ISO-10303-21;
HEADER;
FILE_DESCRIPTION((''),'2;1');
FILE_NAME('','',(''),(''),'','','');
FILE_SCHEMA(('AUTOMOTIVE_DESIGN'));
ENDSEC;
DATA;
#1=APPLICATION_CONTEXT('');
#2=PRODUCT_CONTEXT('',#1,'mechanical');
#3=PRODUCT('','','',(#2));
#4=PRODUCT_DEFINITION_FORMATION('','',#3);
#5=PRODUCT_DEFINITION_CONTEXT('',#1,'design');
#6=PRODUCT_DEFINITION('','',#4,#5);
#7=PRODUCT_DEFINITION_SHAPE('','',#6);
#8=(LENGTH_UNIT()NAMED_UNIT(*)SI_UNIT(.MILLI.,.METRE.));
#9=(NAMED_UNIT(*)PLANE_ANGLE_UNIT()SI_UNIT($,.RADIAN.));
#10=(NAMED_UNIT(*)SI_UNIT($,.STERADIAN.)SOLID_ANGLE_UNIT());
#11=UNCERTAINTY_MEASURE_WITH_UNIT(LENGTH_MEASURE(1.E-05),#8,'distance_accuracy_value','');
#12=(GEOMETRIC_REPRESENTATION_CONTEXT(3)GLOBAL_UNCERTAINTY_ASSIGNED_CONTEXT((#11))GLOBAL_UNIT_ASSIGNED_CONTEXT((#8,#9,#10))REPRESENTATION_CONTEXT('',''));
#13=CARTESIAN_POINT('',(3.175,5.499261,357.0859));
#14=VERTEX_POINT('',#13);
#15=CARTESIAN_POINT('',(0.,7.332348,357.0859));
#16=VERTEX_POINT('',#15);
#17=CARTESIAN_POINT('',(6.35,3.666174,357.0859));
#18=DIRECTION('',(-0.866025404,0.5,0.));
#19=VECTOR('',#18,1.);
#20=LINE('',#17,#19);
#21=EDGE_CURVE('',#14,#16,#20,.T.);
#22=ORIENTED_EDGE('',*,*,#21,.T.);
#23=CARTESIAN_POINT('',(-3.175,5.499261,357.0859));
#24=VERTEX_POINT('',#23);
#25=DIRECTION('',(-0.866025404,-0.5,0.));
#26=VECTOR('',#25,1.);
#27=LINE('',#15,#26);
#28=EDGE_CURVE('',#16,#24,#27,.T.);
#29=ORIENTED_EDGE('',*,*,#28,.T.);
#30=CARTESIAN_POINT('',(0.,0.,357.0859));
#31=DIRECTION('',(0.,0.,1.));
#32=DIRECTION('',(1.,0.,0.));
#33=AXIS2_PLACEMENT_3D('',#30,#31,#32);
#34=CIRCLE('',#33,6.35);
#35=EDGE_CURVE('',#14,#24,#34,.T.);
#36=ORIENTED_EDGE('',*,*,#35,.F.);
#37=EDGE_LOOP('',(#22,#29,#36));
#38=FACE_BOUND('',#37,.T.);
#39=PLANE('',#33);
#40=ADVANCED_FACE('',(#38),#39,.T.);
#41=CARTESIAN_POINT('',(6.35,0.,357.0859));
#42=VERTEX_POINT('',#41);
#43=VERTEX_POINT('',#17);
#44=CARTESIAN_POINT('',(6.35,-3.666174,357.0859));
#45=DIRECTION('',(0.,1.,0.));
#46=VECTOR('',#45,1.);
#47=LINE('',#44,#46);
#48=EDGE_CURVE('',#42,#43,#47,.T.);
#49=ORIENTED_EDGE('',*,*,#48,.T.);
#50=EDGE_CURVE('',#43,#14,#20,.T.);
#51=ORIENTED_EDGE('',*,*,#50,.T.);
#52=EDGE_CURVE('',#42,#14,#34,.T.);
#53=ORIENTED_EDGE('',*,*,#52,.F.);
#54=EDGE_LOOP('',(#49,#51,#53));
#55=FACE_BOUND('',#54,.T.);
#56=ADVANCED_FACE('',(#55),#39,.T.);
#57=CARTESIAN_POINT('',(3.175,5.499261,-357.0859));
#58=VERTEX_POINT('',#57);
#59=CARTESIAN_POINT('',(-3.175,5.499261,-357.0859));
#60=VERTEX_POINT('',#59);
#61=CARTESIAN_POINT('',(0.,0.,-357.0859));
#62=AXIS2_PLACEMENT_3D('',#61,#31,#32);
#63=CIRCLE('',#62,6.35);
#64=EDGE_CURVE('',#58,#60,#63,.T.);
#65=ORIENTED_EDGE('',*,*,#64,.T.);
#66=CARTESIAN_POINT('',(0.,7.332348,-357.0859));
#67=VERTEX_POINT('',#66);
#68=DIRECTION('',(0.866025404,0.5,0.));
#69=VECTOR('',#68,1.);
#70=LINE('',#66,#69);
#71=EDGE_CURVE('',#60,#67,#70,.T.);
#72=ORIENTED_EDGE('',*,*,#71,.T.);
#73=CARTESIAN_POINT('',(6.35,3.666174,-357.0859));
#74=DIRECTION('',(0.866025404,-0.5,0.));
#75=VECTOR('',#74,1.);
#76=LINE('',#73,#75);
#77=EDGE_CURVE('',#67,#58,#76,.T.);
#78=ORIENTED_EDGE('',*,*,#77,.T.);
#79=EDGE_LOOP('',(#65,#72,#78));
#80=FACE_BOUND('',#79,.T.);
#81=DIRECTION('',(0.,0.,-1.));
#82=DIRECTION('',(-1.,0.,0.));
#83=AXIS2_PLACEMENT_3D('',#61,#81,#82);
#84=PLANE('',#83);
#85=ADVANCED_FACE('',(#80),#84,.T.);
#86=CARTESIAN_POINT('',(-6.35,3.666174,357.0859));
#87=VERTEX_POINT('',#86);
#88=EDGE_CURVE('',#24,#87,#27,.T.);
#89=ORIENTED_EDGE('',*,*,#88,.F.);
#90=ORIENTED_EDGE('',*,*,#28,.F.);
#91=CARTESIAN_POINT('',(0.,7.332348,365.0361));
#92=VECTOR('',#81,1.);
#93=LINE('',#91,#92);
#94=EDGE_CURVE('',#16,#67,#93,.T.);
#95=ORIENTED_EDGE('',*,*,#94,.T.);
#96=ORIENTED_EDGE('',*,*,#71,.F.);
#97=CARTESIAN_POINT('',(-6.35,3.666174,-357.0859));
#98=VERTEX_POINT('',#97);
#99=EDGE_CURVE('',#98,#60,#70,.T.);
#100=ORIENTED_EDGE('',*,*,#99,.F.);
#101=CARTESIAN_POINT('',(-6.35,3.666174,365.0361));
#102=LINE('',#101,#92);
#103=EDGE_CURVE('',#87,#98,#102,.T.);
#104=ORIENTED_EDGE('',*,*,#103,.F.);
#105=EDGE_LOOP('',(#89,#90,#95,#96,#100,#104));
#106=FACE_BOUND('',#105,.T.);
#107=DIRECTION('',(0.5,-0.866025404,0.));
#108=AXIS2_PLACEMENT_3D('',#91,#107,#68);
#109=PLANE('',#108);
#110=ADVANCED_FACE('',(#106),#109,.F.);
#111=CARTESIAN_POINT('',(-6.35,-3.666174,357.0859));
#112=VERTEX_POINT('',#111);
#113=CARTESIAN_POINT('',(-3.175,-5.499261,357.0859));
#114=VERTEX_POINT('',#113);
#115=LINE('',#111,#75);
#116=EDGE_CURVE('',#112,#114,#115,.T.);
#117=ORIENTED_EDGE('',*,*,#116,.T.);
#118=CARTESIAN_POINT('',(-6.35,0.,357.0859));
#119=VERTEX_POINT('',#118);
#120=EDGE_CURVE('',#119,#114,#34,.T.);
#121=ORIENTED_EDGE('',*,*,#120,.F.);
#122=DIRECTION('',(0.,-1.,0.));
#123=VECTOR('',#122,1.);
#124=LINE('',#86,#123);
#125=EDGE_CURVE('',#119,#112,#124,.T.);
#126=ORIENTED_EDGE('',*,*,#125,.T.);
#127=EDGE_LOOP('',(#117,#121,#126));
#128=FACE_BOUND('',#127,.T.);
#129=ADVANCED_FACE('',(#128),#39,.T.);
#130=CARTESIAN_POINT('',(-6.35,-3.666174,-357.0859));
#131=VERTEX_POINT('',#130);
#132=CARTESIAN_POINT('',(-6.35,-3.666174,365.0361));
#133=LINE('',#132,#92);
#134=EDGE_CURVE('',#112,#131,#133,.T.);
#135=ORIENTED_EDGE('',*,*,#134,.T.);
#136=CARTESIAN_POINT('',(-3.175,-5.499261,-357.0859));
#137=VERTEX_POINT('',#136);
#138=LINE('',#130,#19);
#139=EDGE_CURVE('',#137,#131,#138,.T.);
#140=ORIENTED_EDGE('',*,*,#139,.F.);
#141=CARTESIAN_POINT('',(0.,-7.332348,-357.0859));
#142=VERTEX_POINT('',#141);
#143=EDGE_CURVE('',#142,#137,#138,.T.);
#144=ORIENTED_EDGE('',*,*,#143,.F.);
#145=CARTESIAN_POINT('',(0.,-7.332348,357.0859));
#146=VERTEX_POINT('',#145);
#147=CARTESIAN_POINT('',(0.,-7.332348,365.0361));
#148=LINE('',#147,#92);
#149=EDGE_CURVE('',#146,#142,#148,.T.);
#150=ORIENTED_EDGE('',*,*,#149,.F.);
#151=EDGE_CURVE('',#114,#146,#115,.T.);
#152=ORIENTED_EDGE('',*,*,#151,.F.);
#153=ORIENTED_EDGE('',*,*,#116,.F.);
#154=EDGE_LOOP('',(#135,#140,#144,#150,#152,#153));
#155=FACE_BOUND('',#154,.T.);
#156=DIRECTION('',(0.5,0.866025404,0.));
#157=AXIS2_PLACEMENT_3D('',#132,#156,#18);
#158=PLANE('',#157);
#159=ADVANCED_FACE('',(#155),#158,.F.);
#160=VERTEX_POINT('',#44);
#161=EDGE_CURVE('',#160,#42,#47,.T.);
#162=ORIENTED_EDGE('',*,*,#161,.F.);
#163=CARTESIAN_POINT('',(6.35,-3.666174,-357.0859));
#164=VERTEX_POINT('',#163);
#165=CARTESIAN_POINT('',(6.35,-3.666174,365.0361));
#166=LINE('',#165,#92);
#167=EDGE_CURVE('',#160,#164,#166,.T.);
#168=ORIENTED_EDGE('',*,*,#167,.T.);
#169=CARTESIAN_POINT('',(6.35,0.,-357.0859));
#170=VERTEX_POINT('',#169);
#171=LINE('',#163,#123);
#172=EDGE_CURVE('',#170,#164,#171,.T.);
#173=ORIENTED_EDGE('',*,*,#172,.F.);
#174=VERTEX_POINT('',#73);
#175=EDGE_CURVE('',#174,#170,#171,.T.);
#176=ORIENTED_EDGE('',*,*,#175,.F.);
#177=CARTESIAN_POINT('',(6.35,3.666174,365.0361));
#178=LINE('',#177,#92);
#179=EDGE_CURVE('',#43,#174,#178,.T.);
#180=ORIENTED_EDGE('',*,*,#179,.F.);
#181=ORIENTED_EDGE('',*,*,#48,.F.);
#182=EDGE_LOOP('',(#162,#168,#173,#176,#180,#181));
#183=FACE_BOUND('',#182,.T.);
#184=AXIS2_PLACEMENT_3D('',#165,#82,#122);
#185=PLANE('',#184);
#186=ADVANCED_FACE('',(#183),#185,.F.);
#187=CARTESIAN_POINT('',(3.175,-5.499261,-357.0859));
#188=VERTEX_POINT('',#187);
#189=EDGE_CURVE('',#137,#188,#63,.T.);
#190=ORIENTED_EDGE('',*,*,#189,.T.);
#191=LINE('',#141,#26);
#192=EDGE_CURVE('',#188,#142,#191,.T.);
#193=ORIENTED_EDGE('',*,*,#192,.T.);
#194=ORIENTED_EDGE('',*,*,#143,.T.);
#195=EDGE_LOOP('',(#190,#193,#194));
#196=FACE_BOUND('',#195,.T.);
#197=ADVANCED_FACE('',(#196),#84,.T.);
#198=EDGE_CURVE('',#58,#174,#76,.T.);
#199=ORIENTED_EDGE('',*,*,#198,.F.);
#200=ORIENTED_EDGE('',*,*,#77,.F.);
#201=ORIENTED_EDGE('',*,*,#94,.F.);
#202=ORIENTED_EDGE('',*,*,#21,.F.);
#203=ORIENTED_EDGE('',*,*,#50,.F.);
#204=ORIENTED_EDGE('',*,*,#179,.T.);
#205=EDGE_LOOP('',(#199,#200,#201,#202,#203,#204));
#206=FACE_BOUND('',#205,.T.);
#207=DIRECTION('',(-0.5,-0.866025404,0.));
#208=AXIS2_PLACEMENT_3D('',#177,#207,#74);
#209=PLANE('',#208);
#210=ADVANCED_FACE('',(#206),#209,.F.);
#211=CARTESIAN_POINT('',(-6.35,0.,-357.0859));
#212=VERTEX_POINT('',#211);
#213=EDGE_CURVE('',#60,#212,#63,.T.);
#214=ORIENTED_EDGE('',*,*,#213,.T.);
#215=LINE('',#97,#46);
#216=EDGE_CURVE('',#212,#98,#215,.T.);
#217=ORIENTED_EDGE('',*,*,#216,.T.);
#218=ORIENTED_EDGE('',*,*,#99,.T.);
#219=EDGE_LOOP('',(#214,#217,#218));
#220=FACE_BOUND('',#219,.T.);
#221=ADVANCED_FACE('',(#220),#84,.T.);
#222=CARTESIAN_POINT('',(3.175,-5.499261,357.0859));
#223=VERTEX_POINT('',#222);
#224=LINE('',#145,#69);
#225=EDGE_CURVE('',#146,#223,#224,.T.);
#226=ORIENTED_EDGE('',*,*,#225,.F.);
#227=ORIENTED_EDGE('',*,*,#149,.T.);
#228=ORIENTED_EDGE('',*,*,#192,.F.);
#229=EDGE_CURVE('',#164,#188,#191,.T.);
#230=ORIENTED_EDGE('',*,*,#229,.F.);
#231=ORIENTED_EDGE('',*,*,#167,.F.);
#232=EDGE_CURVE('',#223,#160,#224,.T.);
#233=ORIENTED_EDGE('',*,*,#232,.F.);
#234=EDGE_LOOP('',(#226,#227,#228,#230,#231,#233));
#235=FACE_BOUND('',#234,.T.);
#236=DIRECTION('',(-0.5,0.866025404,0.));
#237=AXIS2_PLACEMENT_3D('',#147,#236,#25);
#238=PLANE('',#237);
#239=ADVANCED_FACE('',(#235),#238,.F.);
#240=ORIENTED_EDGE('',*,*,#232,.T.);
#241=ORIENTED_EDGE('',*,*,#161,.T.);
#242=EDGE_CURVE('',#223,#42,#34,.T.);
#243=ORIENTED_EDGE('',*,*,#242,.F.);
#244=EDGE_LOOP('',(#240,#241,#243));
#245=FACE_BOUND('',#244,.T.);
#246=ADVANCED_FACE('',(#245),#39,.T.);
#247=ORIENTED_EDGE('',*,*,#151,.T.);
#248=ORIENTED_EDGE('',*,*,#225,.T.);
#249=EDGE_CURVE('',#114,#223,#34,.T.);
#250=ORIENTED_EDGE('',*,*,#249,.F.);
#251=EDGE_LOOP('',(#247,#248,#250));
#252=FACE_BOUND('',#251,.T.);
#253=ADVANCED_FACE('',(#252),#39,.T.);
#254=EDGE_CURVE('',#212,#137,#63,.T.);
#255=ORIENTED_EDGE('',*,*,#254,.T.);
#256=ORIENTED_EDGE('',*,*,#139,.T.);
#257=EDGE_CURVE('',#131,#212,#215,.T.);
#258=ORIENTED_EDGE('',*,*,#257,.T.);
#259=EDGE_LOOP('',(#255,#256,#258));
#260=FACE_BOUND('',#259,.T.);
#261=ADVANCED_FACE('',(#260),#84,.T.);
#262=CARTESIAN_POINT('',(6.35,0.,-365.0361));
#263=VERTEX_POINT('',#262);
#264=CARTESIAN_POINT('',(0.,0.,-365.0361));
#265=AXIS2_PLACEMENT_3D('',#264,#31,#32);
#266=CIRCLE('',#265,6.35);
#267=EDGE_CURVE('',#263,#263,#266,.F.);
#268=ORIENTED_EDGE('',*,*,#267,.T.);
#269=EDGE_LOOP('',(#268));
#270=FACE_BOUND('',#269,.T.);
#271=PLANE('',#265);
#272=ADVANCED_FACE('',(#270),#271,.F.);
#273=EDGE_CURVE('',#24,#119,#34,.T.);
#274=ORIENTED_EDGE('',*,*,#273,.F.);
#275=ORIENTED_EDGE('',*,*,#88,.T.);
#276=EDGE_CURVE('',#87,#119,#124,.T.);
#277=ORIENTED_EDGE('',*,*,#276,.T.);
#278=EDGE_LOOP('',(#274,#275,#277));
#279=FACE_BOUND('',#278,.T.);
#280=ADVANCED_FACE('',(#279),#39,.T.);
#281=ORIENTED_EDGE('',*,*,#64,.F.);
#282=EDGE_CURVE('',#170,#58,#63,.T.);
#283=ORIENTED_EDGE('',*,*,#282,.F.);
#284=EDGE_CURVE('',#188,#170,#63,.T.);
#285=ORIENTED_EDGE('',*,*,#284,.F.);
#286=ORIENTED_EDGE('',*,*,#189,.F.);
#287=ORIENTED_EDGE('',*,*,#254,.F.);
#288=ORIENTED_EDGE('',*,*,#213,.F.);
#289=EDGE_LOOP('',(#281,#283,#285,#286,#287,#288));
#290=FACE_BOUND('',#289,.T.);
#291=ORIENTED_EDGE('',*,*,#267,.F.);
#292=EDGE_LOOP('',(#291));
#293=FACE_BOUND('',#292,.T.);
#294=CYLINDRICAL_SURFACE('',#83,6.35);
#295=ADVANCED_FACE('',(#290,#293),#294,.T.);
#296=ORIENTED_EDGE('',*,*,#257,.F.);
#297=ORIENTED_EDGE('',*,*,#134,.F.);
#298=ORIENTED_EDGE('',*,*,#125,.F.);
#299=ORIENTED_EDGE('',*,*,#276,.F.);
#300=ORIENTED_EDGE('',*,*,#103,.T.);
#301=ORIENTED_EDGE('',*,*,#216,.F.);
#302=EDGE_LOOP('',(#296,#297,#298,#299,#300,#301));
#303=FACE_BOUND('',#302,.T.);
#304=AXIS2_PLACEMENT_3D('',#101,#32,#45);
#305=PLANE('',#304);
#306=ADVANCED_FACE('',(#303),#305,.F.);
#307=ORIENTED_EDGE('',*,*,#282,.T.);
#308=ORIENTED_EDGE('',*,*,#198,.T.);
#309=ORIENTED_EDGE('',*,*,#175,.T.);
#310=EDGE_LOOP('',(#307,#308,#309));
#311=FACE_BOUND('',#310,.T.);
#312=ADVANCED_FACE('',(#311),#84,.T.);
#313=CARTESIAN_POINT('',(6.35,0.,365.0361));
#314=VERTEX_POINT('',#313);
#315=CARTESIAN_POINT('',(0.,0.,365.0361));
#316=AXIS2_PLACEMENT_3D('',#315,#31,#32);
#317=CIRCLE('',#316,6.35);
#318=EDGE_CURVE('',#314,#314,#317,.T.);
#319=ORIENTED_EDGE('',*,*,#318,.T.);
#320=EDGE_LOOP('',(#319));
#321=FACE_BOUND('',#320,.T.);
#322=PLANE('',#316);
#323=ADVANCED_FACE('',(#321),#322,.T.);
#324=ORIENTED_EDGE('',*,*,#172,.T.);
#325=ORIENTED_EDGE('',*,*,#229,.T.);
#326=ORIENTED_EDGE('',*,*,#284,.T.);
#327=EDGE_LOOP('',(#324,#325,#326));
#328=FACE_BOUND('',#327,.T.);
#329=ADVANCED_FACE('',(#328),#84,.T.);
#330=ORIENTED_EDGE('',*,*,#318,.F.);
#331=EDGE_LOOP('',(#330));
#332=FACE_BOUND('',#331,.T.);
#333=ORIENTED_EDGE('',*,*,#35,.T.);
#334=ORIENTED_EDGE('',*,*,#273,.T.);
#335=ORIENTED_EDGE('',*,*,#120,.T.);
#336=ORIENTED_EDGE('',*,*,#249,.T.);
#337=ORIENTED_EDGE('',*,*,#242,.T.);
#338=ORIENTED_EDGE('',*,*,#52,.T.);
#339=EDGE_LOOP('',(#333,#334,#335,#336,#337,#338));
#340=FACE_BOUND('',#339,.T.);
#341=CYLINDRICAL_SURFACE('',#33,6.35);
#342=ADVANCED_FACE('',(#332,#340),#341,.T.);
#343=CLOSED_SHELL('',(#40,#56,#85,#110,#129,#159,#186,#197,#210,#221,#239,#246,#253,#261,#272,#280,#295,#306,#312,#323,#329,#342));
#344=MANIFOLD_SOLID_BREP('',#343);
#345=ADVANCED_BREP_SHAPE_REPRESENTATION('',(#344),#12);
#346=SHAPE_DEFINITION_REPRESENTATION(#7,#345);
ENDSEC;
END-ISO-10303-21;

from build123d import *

# Parameters (mm, degrees)
BOSS_EXTRUDE1_DEPTH = 365.0361
SKETCH2_OUTSIDE_W   = 160.766
SKETCH2_OUTSIDE_H   = 162.73
SKETCH2_OUTSIDE_R   = 6.35
CUT_EXTRUDE1_DEPTH  = 7.9502


with BuildPart() as part:
    # Sketch1 → Boss-Extrude1 (new, symmetric)
    with BuildSketch(Plane.XY):
        Polygon((6.35, 3.666174209), (0, 7.332348419), (-6.35, 3.666174209), (-6.35, -3.666174209), (0, -7.332348419), (6.35, -3.666174209), align=None)
    extrude(amount=BOSS_EXTRUDE1_DEPTH, both=True)

    # Sketch2 outside → Cut-Extrude1 (cut)
    with BuildSketch(Plane.XY.offset(365.0361)):
        Rectangle(SKETCH2_OUTSIDE_W, SKETCH2_OUTSIDE_H)
        Circle(SKETCH2_OUTSIDE_R, mode=Mode.SUBTRACT)
    cut_extrude1 = extrude(amount=-CUT_EXTRUDE1_DEPTH, mode=Mode.SUBTRACT)

    # Mirror1: Cut-Extrude1 across plane
    add(cut_extrude1.mirror(Plane.XY), mode=Mode.SUBTRACT)


solid = part.part
